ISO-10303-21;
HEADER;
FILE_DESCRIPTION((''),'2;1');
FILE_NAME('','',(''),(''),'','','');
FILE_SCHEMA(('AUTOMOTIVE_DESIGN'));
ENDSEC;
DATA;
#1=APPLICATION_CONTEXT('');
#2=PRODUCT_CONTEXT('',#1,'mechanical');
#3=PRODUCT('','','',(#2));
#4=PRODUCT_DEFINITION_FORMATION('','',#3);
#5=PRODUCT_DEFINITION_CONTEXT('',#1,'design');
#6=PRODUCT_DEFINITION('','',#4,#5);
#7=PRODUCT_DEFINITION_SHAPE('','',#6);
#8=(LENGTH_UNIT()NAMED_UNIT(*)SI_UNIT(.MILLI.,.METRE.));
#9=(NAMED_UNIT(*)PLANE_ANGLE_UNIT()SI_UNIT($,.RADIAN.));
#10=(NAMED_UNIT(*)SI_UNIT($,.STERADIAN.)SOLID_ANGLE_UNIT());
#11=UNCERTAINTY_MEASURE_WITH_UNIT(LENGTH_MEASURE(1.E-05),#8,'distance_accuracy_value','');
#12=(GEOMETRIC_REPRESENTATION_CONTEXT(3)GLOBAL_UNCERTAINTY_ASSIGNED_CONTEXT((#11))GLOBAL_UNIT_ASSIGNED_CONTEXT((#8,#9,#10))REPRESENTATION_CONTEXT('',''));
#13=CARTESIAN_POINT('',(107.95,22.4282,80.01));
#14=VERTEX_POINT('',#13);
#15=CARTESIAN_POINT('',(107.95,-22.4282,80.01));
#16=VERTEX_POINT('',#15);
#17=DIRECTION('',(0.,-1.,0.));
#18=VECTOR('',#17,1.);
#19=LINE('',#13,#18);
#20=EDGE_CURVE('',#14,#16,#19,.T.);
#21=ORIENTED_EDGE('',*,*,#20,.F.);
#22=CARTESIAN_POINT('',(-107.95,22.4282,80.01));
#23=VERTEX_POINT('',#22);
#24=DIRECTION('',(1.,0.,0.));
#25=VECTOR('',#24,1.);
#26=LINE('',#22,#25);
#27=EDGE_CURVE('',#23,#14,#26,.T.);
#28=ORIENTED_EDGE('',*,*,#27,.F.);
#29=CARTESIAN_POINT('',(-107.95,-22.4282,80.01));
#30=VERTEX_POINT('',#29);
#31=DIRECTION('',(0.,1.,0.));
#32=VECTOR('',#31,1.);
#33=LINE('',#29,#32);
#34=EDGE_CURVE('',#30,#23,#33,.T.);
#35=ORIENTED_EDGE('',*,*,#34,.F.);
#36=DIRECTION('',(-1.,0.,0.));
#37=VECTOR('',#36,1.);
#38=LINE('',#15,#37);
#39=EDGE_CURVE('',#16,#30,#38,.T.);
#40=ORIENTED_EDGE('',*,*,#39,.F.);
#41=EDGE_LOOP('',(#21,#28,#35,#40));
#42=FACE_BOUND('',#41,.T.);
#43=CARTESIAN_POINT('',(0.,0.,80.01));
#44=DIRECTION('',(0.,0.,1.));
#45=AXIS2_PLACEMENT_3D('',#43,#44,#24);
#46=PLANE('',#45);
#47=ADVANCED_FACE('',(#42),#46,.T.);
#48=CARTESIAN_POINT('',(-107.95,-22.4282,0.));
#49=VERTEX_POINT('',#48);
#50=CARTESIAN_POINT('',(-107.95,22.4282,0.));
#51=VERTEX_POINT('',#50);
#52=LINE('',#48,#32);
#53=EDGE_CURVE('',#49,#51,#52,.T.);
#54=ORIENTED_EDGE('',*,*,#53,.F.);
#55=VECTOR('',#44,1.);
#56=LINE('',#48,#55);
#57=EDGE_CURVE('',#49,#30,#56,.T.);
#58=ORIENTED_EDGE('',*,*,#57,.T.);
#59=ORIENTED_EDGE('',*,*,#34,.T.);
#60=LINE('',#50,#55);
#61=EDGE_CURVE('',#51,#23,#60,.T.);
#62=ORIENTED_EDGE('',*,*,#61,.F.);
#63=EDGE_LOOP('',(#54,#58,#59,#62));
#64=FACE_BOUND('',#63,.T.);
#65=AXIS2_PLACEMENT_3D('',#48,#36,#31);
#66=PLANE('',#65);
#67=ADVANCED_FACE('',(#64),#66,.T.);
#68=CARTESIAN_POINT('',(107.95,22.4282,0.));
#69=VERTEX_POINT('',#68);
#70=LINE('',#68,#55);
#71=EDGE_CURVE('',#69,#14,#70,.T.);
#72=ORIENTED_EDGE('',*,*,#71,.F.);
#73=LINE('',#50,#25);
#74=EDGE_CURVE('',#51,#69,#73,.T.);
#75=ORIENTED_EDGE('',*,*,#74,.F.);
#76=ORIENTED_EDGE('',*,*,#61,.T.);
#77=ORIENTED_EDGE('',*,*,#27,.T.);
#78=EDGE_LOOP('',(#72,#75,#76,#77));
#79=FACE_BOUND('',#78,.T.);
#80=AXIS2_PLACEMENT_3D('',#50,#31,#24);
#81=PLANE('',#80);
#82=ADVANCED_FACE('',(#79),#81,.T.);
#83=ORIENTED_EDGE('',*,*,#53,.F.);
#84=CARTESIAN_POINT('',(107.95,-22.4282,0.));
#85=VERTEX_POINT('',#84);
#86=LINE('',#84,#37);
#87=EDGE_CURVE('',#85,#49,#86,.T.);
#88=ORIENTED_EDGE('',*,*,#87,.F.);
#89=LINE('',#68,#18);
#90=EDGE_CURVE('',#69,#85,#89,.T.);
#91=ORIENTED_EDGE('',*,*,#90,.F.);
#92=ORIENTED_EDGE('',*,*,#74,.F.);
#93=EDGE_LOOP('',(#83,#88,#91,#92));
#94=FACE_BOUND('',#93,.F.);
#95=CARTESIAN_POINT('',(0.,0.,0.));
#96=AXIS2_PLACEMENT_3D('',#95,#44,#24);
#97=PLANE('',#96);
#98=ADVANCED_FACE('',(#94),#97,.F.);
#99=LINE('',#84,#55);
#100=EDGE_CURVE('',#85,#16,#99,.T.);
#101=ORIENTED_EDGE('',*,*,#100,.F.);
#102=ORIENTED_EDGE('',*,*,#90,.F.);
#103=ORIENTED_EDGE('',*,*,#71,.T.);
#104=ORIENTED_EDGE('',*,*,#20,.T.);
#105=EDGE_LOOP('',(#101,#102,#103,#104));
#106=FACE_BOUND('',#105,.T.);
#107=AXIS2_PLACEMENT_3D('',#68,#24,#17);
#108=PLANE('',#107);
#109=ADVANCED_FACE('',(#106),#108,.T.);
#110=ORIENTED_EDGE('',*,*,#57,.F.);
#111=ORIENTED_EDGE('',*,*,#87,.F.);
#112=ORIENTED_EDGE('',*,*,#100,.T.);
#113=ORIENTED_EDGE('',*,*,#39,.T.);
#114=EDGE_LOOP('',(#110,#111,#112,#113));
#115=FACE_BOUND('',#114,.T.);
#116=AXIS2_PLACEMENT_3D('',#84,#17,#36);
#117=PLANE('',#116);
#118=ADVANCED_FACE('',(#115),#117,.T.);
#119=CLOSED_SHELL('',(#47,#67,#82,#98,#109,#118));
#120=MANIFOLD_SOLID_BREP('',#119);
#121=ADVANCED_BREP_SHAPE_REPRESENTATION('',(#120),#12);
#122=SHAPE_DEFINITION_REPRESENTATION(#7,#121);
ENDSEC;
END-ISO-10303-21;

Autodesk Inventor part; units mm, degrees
ref_plane "Right" through (0, 0, 0) normal (1, 0, 0) x (0, 1, 0)
ref_plane "Top" through (0, 0, 0) normal (0, 1, 0) x (-1, 0, 0)
ref_plane "Front" through (0, 0, 0) normal (0, 0, 1) x (1, 0, 0)
sketch "Sketch1" plane through (0, 0, 0) normal (0, 0, 1) x (1, 0, 0)
  line L0 (-107.95, 22.4282) -> (107.95, 22.4282)
  line L1 (107.95, 22.4282) -> (107.95, -22.4282)
  line L2 (107.95, -22.4282) -> (-107.95, -22.4282)
  line L3 (-107.95, -22.4282) -> (-107.95, 22.4282)
  line L4 (-107.95, 22.4282) -> (107.95, -22.4282) construction
  line L5 (107.95, 22.4282) -> (-107.95, -22.4282) construction
  point P0 (0, 0)
  dimension "d0" = 215.9
  dimension "d1" = 44.8564
extrude "Extrusion1" add sketch "Sketch1" along normal blind 80.01
sketch "Sketch2" plane through (0, 0, 80.01) normal (0, 0, 1) x (1, 0, 0)
  line L0 (-107.95, -22.4282) -> (107.95, -22.4282) projected
  line L1 (107.95, 22.4282) -> (-107.95, 22.4282) projected
  point P0 (0, 0)
equation "\"BendRadius\" = Thickness"
equation "\"BendReliefWidth\" = 0.5 * Thickness"
equation "\"BendReliefDepth\" = 0.5 * Thickness"
equation "\"CornerReliefSize\" = 4 * Thickness"
equation "\"MinimumRemnant\" = 2 * Thickness"
equation "\"TransitionRadius\" = BendRadius"
equation "\"JacobiRadiusSize\" = BendRadius"
equation "\"Thickness\" = 3.048"
properties part number "Facing Blank" material "4140"
